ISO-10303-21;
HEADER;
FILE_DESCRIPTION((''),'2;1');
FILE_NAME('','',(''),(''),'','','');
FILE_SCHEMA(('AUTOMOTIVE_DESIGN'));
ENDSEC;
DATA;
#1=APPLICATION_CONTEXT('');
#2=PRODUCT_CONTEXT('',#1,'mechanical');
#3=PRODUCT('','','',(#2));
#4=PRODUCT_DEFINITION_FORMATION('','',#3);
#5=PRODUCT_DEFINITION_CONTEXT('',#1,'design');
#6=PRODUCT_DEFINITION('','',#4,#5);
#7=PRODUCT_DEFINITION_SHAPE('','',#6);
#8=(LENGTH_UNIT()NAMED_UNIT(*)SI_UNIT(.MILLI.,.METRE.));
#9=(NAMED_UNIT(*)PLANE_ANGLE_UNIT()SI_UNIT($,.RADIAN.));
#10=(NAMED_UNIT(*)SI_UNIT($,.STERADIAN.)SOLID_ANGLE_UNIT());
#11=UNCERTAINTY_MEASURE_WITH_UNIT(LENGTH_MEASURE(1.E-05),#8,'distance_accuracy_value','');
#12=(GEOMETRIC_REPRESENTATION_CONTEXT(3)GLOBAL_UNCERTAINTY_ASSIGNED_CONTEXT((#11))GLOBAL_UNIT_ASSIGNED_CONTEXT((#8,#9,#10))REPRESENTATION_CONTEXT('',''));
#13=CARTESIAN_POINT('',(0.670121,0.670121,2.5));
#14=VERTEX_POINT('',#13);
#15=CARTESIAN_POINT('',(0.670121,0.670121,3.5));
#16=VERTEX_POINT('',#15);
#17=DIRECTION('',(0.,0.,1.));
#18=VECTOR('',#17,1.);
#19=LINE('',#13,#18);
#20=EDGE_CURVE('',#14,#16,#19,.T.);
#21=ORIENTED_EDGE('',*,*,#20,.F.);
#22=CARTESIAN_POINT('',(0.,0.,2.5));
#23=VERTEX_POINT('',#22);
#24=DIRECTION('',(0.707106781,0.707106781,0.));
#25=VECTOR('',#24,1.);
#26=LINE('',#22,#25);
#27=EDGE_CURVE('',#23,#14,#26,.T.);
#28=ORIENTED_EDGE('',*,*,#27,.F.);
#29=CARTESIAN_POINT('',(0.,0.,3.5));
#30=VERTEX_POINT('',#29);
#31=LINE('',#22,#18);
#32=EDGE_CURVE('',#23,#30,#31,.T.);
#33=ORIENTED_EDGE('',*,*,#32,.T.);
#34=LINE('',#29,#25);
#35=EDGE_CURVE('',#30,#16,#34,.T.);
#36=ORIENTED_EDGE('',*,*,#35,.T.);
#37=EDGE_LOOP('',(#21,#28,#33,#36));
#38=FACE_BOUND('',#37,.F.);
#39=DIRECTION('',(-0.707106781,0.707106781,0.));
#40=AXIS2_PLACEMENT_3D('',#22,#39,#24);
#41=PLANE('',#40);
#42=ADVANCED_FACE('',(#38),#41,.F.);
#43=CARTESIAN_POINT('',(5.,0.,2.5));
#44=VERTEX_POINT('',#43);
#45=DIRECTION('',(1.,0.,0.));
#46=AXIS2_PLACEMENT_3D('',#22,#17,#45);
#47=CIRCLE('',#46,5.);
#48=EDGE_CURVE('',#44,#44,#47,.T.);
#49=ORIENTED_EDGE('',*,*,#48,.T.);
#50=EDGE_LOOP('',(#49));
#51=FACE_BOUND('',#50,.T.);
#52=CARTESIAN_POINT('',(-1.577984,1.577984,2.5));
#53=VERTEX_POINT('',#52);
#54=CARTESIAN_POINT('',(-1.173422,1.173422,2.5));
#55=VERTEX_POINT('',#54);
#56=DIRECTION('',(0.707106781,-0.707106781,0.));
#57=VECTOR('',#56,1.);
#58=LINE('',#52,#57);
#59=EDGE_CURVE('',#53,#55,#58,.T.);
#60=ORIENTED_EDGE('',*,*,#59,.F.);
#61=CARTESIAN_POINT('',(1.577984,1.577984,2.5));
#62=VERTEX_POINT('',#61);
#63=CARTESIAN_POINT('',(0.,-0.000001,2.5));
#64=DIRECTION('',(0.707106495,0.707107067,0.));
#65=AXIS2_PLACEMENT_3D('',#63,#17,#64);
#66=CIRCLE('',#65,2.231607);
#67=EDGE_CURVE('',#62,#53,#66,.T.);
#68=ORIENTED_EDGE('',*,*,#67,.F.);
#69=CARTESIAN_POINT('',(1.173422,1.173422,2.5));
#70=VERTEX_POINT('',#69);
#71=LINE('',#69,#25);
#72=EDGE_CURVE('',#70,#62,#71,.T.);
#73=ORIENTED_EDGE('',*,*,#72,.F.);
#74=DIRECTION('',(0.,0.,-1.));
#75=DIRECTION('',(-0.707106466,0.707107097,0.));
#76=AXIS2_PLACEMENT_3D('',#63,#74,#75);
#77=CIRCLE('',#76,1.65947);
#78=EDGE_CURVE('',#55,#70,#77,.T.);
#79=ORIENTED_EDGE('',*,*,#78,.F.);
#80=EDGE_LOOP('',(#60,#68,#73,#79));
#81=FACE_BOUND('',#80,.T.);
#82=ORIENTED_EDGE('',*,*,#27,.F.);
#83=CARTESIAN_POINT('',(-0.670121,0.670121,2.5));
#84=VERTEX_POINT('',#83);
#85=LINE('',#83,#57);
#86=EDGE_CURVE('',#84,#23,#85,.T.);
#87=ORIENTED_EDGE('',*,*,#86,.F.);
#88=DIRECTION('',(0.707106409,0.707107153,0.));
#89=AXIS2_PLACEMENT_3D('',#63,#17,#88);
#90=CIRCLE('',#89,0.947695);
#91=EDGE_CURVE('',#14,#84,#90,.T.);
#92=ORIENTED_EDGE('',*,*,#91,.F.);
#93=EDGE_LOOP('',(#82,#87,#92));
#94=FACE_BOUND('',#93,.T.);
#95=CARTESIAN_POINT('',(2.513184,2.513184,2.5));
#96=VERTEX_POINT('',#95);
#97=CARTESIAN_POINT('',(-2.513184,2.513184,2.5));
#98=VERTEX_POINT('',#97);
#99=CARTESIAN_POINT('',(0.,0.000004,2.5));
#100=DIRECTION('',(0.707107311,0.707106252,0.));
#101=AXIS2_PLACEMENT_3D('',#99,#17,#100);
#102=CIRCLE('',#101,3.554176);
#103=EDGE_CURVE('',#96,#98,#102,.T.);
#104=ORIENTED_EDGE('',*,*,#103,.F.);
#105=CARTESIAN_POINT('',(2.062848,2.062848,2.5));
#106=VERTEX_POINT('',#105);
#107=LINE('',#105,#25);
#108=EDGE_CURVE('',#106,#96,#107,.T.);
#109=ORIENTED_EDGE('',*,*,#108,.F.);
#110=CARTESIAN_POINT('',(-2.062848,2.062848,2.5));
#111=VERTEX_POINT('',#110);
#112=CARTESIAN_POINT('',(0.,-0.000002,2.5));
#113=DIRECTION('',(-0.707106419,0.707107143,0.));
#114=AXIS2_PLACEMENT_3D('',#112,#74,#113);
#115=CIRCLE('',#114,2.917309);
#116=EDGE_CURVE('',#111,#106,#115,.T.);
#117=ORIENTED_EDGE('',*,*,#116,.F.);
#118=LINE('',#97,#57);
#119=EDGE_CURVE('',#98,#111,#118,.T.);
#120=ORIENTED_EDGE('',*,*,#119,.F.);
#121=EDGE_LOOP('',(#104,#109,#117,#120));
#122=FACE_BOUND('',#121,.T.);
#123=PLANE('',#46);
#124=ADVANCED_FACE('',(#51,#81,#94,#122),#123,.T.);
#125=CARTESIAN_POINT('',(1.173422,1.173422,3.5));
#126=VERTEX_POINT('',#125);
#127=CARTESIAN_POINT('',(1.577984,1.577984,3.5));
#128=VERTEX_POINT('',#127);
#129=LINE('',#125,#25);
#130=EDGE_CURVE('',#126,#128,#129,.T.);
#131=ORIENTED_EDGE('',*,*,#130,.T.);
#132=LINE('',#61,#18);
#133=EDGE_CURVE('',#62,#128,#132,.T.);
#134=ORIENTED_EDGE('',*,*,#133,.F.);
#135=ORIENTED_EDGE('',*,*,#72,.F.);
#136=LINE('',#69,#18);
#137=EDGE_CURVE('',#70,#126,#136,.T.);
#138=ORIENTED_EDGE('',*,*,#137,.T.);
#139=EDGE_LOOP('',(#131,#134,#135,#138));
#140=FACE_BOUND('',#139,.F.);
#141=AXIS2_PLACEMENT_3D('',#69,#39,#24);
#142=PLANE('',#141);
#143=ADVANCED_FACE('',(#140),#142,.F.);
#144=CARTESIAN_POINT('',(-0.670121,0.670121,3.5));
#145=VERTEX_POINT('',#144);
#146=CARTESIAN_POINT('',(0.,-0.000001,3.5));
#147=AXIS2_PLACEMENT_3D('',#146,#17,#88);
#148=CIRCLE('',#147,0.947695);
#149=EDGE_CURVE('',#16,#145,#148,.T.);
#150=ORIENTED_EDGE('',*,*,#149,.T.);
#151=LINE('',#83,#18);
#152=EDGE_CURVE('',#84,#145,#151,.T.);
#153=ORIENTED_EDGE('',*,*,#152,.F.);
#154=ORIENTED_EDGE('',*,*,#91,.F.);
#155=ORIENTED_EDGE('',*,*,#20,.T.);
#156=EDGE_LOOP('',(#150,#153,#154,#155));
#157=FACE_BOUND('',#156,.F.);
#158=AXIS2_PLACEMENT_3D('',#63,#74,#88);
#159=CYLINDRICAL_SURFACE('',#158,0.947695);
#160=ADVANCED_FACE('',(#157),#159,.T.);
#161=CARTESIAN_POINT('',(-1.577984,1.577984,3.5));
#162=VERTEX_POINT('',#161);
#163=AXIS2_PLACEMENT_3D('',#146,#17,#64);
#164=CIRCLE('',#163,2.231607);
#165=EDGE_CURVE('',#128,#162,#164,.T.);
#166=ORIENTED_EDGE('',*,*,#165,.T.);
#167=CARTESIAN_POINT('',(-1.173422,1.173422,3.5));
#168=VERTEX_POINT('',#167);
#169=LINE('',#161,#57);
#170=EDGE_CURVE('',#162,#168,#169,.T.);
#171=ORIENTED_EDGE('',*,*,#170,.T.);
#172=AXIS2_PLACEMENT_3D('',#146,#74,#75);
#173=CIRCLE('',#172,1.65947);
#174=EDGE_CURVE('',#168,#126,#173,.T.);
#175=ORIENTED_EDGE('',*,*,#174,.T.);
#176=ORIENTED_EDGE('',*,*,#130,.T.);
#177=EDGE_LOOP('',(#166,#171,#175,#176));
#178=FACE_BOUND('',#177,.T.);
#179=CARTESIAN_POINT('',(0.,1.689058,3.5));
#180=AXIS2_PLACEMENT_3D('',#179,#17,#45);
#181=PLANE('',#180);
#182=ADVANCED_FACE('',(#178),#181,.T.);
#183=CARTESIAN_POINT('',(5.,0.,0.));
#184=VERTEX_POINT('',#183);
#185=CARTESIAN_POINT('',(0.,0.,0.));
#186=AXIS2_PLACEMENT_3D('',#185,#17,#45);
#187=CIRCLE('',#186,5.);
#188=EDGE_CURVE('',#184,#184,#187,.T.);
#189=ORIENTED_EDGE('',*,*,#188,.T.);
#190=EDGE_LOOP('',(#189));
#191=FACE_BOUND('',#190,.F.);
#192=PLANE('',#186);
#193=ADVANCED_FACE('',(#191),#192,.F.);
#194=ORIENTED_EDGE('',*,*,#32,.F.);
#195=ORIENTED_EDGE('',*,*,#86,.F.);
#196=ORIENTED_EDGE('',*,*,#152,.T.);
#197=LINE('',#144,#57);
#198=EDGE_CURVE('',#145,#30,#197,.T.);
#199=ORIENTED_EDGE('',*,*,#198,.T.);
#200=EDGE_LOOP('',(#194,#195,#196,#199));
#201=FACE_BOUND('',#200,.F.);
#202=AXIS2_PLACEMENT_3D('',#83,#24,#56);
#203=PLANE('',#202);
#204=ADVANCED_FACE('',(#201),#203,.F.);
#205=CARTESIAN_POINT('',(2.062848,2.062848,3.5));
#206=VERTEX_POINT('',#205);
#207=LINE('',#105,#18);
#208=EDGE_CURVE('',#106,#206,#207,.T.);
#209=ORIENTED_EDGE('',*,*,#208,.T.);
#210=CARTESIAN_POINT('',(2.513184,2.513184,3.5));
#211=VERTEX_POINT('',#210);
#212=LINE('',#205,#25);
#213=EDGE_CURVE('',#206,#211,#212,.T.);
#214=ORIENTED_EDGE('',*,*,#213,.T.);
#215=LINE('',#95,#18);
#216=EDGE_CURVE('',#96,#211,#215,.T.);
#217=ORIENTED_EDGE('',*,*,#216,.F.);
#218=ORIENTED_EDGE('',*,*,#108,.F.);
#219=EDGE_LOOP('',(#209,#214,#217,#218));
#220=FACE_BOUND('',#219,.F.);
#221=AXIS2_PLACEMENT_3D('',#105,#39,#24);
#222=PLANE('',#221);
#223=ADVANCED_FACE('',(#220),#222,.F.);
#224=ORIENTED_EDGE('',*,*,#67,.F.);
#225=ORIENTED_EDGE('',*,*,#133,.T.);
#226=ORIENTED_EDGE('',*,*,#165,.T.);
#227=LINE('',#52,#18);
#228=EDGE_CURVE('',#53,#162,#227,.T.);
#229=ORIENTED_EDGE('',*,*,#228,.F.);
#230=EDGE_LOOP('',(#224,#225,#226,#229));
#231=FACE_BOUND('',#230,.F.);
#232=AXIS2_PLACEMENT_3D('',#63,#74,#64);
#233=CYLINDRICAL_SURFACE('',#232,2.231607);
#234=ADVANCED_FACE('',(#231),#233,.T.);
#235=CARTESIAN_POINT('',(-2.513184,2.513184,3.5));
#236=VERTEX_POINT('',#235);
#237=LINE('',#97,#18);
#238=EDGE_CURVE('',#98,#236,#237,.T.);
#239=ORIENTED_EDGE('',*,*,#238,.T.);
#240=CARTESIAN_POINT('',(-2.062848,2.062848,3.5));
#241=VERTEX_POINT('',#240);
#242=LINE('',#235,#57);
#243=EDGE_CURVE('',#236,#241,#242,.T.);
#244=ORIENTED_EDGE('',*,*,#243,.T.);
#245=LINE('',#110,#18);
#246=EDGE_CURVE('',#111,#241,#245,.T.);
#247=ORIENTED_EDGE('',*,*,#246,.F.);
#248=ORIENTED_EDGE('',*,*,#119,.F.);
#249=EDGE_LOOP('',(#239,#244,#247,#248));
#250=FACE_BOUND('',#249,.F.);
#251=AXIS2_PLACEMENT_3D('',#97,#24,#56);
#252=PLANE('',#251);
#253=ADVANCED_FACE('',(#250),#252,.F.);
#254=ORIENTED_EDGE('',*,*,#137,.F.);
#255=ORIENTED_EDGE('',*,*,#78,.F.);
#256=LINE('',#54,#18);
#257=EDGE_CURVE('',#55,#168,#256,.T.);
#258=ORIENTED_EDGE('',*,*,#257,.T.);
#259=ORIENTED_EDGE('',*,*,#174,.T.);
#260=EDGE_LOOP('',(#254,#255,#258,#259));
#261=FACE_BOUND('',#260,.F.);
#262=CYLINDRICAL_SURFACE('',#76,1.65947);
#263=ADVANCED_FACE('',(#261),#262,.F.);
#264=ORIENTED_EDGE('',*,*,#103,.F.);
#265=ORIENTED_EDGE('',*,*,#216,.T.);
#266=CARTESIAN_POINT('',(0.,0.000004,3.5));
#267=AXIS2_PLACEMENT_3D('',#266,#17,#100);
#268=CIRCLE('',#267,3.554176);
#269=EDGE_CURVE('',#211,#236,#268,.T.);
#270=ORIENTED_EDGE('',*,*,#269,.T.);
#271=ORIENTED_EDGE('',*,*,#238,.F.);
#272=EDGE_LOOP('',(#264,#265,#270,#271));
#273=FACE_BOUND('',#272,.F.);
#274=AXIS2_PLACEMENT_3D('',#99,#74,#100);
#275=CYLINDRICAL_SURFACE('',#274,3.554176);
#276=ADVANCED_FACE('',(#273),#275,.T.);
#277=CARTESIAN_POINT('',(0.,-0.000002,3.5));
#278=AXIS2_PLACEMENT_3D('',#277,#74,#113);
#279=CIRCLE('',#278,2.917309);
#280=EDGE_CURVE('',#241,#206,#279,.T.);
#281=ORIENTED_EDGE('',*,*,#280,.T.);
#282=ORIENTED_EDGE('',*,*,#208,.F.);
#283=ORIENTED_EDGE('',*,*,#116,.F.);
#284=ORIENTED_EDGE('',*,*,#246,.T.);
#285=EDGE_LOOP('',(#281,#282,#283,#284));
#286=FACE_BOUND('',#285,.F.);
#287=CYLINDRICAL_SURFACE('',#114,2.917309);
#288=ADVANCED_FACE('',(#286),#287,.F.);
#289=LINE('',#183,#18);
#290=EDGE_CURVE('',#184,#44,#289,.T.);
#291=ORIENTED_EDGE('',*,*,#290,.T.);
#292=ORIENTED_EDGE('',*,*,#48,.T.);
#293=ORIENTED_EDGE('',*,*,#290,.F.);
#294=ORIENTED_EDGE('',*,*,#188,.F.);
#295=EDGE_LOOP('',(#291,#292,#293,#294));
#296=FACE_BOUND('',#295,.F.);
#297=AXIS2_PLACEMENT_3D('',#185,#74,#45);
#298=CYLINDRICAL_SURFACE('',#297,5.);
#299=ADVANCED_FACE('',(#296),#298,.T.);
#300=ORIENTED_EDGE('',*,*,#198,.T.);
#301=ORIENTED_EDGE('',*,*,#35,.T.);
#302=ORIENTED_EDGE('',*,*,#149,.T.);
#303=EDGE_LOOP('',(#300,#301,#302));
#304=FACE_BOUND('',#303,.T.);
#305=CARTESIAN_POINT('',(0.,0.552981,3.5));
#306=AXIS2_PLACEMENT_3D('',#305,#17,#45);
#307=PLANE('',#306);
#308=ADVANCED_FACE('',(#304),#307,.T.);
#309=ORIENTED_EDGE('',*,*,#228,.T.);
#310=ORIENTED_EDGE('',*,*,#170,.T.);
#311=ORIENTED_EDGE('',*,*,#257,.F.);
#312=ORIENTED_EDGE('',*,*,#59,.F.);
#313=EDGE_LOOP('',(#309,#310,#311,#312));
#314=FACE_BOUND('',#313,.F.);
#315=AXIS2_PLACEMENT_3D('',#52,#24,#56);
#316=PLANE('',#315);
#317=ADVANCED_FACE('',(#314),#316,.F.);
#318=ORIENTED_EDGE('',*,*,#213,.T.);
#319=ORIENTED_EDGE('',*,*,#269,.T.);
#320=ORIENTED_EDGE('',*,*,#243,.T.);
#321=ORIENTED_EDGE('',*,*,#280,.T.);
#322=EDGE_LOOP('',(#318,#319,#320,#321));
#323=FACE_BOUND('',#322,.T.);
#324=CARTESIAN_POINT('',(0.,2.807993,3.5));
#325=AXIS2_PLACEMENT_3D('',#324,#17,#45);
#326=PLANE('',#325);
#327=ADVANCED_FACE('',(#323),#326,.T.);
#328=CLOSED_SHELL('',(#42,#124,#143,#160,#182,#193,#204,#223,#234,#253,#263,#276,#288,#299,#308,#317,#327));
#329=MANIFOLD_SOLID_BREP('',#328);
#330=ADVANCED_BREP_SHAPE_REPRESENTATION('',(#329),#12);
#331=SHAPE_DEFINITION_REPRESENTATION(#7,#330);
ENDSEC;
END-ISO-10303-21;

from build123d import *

# Parameters (mm, degrees)
F0_R     = 5
F1_DEPTH = 2.5
F3_DEPTH = 1


with BuildPart() as f1:
    # F0 (on Top) → F1 (new body)
    with BuildSketch(Plane.XY):
        Circle(F0_R)
    extrude(amount=F1_DEPTH)

    # F2 (on face) → F3 (join)
    with BuildSketch(Plane.XY.offset(2.5)):
        with BuildLine():
            Line((2.062848, 2.062848), (2.513184, 2.513184))
            ThreePointArc((2.513184, 2.513184), (0, 3.55418), (-2.513184, 2.513184))
            Line((-2.513184, 2.513184), (-2.062848, 2.062848))
            ThreePointArc((-2.062848, 2.062848), (0, 2.917307), (2.062848, 2.062848))
        make_face()
        with BuildLine():
            Line((1.173422, 1.173422), (1.577984, 1.577984))
            ThreePointArc((1.577984, 1.577984), (0, 2.231606), (-1.577984, 1.577984))
            Line((-1.577984, 1.577984), (-1.173422, 1.173422))
            ThreePointArc((-1.173422, 1.173422), (0, 1.659469), (1.173422, 1.173422))
        make_face()
        with BuildLine():
            Line((0, 0), (0.670121, 0.670121))
            ThreePointArc((0.670121, 0.670121), (0, 0.947694), (-0.670121, 0.670121))
            Line((-0.670121, 0.670121), (0, 0))
        make_face()
    extrude(amount=F3_DEPTH)


solid = f1.part
